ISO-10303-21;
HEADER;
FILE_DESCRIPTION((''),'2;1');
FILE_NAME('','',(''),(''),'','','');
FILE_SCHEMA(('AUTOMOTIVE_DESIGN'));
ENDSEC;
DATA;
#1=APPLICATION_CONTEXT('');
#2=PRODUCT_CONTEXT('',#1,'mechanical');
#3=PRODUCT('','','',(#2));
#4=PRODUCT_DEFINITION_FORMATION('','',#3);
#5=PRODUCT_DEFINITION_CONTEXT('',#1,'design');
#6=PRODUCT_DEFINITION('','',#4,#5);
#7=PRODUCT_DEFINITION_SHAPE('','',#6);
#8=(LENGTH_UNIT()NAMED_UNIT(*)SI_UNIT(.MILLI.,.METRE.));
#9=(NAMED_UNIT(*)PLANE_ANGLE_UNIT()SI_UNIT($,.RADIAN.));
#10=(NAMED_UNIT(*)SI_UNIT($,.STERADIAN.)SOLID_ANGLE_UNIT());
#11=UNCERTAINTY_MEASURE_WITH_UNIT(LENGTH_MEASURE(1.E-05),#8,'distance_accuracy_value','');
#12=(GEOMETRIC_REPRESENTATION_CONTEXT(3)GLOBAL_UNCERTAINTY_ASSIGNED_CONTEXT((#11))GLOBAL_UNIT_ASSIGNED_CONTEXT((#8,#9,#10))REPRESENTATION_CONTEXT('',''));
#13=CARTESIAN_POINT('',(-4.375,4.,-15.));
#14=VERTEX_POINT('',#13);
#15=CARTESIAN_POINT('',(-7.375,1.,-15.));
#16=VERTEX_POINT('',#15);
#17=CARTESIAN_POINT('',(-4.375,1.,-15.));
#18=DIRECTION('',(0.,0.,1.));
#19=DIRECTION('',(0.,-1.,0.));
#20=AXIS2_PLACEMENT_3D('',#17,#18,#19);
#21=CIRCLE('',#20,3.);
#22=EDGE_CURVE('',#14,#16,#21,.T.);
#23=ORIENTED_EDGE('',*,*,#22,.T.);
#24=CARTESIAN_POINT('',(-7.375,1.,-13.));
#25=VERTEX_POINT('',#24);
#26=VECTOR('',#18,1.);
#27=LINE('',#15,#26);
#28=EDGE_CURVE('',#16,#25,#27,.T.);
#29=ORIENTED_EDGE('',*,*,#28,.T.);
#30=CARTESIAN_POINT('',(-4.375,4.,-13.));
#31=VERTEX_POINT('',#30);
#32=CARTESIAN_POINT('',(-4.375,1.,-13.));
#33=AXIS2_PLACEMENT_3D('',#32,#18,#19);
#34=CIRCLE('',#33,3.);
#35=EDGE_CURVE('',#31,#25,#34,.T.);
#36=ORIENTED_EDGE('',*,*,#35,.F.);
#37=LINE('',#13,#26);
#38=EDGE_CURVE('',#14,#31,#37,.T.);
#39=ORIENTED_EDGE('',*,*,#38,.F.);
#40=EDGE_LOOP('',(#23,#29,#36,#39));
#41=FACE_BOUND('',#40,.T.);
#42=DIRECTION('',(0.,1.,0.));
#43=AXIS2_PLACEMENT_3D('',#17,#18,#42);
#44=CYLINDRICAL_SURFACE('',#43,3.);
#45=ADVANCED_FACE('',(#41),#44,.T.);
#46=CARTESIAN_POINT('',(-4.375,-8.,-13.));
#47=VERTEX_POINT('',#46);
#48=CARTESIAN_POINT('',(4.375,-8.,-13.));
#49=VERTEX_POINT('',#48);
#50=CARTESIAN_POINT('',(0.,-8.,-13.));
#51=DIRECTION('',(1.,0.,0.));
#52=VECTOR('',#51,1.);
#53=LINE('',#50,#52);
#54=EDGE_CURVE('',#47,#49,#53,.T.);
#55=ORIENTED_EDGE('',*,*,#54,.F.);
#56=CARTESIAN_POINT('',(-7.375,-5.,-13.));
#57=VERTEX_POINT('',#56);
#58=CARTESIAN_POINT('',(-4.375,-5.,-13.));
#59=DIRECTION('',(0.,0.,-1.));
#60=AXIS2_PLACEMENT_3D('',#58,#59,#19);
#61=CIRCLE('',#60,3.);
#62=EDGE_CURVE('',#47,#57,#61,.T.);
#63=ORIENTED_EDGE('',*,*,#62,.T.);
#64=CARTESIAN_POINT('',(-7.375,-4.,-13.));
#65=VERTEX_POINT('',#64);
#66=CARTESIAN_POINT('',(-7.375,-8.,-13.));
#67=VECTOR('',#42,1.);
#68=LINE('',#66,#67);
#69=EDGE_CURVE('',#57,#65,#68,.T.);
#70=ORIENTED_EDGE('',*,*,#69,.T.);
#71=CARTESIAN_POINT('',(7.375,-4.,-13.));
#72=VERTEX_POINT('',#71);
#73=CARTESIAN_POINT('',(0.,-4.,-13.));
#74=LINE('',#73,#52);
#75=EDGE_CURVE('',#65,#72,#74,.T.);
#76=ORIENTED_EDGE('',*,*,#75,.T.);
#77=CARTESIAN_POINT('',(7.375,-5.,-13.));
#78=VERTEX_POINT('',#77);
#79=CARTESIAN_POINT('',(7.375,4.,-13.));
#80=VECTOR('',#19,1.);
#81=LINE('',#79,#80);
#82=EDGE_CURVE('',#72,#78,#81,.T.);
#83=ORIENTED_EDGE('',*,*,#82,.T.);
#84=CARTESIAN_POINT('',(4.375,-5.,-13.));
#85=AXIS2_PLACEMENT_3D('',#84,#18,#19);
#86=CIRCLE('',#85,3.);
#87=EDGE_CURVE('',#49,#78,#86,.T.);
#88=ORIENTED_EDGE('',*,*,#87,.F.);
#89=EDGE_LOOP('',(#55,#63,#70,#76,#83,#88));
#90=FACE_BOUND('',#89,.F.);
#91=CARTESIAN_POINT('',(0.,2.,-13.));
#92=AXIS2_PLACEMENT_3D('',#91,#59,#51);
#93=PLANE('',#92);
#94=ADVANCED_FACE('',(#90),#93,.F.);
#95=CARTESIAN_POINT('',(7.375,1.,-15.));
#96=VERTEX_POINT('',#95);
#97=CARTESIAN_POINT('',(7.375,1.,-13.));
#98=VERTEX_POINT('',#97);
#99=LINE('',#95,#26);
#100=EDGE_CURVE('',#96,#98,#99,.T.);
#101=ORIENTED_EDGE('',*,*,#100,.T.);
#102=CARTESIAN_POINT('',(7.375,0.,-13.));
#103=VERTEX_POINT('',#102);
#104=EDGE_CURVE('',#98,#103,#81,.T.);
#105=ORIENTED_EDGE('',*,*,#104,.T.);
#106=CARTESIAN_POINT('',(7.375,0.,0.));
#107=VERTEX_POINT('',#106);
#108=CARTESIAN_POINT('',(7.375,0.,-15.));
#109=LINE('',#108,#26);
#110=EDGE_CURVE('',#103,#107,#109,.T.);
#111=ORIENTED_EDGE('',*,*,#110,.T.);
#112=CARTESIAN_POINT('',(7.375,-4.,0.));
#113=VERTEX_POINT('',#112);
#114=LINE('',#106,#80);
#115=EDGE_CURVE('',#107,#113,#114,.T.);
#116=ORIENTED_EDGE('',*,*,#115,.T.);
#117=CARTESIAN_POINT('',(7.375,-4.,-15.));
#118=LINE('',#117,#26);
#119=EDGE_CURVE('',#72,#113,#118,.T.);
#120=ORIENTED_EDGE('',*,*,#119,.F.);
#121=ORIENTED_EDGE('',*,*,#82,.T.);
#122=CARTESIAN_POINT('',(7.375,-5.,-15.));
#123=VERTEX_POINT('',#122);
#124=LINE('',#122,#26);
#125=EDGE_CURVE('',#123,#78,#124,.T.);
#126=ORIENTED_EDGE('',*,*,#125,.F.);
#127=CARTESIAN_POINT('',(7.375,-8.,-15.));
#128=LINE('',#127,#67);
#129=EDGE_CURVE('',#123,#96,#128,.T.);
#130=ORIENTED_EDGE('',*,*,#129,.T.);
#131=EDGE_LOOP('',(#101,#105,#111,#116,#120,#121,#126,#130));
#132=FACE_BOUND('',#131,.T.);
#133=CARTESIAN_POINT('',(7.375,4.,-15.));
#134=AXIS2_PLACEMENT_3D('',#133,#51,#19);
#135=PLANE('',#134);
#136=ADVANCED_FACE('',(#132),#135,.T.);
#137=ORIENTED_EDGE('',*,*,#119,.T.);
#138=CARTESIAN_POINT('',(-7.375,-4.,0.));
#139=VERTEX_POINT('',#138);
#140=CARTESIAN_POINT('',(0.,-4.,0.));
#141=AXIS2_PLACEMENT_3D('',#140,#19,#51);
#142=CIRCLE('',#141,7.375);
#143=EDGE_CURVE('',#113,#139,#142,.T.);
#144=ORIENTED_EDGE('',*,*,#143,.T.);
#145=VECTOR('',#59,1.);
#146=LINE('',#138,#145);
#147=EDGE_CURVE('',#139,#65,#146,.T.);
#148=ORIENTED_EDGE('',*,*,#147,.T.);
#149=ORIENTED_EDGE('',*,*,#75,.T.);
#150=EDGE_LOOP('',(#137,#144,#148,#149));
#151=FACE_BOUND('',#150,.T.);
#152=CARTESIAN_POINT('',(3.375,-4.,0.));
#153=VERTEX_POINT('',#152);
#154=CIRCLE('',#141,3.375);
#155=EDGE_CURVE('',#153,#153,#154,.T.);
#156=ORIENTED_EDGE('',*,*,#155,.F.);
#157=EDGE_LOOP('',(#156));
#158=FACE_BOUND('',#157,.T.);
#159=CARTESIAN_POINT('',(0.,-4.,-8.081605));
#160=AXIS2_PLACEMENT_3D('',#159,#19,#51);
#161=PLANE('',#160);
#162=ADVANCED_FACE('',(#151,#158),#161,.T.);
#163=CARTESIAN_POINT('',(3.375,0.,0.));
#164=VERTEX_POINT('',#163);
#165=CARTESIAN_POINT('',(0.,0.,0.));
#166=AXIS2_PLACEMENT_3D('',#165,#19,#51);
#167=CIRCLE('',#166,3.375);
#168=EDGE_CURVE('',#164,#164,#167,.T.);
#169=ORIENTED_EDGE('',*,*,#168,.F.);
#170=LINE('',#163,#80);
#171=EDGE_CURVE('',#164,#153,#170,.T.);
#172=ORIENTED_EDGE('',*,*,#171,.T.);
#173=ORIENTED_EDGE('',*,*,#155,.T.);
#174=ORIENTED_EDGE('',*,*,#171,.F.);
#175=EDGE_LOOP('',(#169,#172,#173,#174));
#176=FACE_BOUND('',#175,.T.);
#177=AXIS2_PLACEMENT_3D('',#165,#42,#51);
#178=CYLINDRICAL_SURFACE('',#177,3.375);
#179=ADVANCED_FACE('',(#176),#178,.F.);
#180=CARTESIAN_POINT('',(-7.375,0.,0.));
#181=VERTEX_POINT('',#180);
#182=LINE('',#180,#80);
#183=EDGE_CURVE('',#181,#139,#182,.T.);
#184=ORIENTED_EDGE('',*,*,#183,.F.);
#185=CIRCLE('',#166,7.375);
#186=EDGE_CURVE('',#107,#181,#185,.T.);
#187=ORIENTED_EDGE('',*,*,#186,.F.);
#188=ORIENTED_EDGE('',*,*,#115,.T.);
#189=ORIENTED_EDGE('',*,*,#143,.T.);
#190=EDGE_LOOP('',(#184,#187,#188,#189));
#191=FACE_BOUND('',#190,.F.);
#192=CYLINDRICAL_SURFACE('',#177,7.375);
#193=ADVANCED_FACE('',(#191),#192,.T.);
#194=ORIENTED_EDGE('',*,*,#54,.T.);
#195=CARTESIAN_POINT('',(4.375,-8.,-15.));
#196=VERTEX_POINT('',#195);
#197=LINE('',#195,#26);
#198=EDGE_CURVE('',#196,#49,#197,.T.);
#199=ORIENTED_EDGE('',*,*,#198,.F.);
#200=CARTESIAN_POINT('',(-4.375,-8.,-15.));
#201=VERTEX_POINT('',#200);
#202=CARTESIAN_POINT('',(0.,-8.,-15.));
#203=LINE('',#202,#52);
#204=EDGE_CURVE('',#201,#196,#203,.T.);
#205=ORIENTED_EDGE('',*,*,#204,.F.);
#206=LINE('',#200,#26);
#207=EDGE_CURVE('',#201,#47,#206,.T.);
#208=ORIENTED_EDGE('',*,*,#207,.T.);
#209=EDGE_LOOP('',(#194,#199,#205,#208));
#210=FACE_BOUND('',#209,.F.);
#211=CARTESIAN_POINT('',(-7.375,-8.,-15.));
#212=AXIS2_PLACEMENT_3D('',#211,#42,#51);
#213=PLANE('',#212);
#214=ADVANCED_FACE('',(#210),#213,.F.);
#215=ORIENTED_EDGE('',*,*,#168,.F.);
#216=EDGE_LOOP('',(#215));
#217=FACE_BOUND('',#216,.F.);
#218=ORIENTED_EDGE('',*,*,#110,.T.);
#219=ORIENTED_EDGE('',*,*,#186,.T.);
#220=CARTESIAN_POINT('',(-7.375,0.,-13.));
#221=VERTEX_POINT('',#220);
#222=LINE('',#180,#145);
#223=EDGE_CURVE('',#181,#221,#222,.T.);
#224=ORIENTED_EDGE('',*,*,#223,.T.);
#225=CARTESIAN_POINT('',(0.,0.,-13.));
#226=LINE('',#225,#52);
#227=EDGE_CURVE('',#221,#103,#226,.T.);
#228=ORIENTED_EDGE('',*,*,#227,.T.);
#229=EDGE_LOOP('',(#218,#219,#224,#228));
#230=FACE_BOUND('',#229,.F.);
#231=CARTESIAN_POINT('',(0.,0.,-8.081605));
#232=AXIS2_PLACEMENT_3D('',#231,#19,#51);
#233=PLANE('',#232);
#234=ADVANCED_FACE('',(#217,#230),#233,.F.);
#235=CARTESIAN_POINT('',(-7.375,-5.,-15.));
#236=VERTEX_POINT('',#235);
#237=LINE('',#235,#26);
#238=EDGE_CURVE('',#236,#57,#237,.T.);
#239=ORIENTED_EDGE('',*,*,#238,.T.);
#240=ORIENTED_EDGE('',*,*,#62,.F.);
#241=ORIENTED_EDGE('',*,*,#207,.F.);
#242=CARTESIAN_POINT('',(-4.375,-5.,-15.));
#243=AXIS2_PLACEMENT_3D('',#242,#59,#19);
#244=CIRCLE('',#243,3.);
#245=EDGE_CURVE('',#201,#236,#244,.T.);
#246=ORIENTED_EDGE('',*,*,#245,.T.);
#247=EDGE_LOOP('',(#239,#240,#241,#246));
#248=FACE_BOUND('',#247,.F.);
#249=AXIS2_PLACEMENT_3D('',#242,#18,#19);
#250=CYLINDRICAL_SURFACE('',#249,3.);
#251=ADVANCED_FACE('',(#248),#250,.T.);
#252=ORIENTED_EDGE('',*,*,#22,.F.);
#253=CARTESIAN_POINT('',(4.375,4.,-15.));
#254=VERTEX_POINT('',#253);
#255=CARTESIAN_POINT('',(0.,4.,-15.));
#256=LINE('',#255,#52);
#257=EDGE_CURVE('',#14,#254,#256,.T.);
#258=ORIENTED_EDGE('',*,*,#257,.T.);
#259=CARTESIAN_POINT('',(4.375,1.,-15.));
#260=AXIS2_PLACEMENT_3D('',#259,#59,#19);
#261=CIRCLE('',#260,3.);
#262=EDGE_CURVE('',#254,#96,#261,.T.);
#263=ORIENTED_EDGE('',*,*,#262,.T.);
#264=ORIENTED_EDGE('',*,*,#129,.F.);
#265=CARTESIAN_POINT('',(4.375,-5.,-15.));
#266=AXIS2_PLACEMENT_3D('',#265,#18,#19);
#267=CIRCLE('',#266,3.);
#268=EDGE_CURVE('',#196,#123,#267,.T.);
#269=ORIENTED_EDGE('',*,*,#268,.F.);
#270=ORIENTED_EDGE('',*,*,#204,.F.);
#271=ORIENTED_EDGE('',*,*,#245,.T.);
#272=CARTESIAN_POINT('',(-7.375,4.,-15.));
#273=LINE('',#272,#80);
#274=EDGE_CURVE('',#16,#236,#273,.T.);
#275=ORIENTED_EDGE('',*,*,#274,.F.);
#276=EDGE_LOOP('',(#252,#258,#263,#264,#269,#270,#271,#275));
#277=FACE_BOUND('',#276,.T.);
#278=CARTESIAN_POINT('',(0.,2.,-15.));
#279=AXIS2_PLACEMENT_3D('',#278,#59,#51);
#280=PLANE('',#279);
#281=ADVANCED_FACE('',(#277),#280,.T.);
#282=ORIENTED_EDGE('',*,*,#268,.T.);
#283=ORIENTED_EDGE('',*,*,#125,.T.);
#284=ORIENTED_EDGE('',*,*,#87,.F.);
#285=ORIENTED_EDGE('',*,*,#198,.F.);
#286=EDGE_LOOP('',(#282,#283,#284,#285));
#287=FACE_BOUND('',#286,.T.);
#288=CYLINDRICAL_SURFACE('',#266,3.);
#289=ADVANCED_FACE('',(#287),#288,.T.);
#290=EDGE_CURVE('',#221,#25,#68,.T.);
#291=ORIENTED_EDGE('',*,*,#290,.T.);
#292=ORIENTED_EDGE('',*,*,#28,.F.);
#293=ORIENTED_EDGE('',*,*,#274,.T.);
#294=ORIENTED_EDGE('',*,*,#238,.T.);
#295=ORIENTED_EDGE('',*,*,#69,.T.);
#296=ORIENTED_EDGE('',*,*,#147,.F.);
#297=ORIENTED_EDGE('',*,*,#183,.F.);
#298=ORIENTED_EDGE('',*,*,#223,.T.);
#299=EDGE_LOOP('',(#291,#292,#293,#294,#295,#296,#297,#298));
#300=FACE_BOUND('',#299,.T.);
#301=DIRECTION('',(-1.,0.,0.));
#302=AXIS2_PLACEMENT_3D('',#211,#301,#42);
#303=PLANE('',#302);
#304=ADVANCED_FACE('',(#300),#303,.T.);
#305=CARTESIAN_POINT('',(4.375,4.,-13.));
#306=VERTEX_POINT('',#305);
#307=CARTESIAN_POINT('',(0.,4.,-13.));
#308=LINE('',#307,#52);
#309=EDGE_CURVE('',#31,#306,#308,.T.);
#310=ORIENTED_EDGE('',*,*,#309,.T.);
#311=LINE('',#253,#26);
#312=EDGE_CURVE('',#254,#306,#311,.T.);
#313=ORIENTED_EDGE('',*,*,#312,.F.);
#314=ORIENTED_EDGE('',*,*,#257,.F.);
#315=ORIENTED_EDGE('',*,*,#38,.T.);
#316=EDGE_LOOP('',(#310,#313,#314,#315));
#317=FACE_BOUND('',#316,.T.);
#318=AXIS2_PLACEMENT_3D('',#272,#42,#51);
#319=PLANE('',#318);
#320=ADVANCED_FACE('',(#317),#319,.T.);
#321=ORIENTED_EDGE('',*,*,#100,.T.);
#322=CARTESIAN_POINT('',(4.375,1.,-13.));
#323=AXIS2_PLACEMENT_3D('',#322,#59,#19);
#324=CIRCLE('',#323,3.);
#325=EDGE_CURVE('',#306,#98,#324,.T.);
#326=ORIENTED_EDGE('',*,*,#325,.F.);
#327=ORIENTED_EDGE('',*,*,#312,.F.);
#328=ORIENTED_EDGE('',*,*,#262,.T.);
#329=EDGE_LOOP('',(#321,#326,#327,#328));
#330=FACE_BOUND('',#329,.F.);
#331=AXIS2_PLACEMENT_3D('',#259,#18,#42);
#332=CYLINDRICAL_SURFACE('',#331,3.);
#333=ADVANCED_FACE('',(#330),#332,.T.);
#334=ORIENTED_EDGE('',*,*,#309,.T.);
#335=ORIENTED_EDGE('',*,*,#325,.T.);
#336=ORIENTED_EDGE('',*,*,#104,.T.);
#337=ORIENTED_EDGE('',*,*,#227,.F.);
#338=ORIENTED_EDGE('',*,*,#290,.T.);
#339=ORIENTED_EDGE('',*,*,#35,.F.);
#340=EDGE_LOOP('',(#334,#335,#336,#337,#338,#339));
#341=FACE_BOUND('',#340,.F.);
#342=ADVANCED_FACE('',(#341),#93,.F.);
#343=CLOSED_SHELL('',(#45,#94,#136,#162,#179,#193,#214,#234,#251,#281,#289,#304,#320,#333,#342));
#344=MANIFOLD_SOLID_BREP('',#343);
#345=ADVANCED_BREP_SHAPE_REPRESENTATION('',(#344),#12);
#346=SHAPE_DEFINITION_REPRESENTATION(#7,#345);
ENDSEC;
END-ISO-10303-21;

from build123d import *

# Parameters (mm, degrees)
F0_R     = 3.375
F1_DEPTH = 4
F2_W     = 14.75
F2_H     = 4
F3_DEPTH = 2
F4_R     = 3


with BuildPart() as f1:
    # F0 (on Front) → F1 (new body)
    with BuildSketch(Plane.XZ):
        with BuildLine():
            Line((7.375, -15), (7.375, 0))
            ThreePointArc((7.375, 0), (0, -7.375), (-7.375, 0))
            Line((-7.375, 0), (-7.375, -15))
            Line((-7.375, -15), (7.375, -15))
        make_face()
        with BuildLine():
            ThreePointArc((-7.375, 0), (0, -7.375), (7.375, 0))
            ThreePointArc((7.375, 0), (0, 7.375), (-7.375, 0))
        make_face()
        Circle(F0_R, mode=Mode.SUBTRACT)
    extrude(amount=F1_DEPTH)

    # F2 (on face) → F3 (join)
    with BuildSketch(Plane(origin=(0, 0, -15), x_dir=(1, 0, 0), z_dir=(0, 0, -1))):
        with Locations((0, -2)):
            Rectangle(F2_W, F2_H)
        with Locations((0, 2)):
            Rectangle(F2_W, F2_H)
        with Locations((0, 6)):
            Rectangle(F2_W, F2_H)
    extrude(amount=-F3_DEPTH)

    # F4
    f4_edges = [f1.edges().sort_by_distance(p)[0] for p in [
        (-7.375, -8, -14),
        (7.375, -8, -14),
        (-7.375, 4, -14),
        (7.375, 4, -14),
    ]]
    fillet(f4_edges, radius=F4_R)


solid = f1.part
